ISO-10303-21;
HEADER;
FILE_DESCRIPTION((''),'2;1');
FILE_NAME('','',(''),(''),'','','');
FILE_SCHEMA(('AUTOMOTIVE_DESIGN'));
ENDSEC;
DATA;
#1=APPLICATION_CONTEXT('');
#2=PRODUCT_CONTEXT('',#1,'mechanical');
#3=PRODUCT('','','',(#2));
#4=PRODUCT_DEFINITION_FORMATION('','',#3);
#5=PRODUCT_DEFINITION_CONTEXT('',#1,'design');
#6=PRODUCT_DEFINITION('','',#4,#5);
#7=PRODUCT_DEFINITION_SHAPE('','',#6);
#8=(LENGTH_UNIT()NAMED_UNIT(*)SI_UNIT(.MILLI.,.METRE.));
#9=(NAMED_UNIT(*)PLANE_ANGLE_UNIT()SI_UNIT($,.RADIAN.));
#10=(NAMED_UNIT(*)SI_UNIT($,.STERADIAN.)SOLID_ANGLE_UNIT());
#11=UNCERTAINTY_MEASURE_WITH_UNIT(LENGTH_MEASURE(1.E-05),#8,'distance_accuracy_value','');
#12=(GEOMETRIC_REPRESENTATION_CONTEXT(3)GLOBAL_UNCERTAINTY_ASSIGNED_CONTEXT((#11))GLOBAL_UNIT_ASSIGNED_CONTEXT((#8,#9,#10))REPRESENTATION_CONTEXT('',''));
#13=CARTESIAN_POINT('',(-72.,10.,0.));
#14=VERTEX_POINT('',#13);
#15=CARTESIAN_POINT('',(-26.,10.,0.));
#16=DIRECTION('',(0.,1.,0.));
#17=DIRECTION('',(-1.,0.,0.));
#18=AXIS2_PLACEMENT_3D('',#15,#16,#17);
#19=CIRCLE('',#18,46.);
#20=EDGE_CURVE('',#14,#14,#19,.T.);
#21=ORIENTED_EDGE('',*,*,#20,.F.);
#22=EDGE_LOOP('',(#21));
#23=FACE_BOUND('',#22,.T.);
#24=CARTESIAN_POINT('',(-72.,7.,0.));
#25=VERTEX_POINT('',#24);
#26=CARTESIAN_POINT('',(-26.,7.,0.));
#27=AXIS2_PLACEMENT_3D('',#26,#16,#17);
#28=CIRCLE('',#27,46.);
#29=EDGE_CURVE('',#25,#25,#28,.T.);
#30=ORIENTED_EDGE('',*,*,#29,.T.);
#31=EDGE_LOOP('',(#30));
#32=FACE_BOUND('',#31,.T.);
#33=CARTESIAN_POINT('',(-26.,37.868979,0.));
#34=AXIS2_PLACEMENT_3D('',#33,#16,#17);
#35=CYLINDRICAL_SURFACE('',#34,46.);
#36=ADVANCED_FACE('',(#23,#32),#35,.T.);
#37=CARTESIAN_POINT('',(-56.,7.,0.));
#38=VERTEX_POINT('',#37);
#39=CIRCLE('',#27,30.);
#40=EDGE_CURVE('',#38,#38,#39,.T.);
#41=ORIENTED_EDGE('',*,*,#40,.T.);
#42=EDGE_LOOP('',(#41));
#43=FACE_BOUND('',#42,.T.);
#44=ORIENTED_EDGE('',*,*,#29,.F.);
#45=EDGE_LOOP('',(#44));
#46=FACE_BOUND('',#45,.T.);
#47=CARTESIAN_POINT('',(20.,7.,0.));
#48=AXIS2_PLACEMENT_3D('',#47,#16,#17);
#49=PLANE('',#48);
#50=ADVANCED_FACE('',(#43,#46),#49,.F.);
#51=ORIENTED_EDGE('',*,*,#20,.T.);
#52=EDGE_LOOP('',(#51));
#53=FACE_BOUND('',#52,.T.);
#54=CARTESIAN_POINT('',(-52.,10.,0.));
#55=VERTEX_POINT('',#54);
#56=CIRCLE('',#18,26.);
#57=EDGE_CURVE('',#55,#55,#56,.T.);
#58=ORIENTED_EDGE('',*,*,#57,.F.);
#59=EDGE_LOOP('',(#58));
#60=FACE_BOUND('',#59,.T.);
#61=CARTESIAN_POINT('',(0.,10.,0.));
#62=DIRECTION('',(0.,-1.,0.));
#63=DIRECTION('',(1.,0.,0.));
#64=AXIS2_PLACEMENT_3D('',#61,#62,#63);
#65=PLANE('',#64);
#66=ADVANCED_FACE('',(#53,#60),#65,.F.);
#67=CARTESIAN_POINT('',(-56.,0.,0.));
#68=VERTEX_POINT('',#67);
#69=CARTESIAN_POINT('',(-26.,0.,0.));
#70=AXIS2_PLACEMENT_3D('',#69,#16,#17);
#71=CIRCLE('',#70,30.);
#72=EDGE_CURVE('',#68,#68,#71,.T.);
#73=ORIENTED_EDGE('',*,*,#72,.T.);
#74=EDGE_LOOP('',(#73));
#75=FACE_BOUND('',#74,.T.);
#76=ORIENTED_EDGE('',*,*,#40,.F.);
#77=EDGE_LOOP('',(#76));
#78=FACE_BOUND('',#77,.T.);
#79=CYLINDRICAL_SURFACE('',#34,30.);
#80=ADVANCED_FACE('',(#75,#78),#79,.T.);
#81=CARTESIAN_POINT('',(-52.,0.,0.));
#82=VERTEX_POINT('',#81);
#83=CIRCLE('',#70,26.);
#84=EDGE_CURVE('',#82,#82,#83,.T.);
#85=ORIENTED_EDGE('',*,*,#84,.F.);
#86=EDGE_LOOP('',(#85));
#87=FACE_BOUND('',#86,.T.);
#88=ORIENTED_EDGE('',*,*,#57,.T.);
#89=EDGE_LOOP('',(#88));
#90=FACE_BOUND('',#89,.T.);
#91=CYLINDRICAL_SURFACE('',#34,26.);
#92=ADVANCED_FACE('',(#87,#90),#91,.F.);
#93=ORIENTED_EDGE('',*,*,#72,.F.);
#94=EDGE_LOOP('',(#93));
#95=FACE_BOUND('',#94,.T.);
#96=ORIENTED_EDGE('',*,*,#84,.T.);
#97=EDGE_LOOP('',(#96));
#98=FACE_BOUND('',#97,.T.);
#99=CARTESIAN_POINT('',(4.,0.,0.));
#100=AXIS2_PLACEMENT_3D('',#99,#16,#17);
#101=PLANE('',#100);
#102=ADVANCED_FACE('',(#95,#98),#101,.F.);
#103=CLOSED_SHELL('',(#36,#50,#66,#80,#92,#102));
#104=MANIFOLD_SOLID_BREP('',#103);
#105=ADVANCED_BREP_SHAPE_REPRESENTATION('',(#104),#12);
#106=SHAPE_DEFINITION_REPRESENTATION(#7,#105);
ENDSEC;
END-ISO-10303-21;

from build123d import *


with BuildPart() as part:
    # Sketch1 → Revolve1 (revolve)
    with BuildSketch(Plane.XY):
        Polygon((0, 0), (0, 10), (20, 10), (20, 7), (4, 7), (4, 0), align=None)
    revolve(axis=Axis((-26, 37.868979058, 0), (0, -1, 0)))


solid = part.part
